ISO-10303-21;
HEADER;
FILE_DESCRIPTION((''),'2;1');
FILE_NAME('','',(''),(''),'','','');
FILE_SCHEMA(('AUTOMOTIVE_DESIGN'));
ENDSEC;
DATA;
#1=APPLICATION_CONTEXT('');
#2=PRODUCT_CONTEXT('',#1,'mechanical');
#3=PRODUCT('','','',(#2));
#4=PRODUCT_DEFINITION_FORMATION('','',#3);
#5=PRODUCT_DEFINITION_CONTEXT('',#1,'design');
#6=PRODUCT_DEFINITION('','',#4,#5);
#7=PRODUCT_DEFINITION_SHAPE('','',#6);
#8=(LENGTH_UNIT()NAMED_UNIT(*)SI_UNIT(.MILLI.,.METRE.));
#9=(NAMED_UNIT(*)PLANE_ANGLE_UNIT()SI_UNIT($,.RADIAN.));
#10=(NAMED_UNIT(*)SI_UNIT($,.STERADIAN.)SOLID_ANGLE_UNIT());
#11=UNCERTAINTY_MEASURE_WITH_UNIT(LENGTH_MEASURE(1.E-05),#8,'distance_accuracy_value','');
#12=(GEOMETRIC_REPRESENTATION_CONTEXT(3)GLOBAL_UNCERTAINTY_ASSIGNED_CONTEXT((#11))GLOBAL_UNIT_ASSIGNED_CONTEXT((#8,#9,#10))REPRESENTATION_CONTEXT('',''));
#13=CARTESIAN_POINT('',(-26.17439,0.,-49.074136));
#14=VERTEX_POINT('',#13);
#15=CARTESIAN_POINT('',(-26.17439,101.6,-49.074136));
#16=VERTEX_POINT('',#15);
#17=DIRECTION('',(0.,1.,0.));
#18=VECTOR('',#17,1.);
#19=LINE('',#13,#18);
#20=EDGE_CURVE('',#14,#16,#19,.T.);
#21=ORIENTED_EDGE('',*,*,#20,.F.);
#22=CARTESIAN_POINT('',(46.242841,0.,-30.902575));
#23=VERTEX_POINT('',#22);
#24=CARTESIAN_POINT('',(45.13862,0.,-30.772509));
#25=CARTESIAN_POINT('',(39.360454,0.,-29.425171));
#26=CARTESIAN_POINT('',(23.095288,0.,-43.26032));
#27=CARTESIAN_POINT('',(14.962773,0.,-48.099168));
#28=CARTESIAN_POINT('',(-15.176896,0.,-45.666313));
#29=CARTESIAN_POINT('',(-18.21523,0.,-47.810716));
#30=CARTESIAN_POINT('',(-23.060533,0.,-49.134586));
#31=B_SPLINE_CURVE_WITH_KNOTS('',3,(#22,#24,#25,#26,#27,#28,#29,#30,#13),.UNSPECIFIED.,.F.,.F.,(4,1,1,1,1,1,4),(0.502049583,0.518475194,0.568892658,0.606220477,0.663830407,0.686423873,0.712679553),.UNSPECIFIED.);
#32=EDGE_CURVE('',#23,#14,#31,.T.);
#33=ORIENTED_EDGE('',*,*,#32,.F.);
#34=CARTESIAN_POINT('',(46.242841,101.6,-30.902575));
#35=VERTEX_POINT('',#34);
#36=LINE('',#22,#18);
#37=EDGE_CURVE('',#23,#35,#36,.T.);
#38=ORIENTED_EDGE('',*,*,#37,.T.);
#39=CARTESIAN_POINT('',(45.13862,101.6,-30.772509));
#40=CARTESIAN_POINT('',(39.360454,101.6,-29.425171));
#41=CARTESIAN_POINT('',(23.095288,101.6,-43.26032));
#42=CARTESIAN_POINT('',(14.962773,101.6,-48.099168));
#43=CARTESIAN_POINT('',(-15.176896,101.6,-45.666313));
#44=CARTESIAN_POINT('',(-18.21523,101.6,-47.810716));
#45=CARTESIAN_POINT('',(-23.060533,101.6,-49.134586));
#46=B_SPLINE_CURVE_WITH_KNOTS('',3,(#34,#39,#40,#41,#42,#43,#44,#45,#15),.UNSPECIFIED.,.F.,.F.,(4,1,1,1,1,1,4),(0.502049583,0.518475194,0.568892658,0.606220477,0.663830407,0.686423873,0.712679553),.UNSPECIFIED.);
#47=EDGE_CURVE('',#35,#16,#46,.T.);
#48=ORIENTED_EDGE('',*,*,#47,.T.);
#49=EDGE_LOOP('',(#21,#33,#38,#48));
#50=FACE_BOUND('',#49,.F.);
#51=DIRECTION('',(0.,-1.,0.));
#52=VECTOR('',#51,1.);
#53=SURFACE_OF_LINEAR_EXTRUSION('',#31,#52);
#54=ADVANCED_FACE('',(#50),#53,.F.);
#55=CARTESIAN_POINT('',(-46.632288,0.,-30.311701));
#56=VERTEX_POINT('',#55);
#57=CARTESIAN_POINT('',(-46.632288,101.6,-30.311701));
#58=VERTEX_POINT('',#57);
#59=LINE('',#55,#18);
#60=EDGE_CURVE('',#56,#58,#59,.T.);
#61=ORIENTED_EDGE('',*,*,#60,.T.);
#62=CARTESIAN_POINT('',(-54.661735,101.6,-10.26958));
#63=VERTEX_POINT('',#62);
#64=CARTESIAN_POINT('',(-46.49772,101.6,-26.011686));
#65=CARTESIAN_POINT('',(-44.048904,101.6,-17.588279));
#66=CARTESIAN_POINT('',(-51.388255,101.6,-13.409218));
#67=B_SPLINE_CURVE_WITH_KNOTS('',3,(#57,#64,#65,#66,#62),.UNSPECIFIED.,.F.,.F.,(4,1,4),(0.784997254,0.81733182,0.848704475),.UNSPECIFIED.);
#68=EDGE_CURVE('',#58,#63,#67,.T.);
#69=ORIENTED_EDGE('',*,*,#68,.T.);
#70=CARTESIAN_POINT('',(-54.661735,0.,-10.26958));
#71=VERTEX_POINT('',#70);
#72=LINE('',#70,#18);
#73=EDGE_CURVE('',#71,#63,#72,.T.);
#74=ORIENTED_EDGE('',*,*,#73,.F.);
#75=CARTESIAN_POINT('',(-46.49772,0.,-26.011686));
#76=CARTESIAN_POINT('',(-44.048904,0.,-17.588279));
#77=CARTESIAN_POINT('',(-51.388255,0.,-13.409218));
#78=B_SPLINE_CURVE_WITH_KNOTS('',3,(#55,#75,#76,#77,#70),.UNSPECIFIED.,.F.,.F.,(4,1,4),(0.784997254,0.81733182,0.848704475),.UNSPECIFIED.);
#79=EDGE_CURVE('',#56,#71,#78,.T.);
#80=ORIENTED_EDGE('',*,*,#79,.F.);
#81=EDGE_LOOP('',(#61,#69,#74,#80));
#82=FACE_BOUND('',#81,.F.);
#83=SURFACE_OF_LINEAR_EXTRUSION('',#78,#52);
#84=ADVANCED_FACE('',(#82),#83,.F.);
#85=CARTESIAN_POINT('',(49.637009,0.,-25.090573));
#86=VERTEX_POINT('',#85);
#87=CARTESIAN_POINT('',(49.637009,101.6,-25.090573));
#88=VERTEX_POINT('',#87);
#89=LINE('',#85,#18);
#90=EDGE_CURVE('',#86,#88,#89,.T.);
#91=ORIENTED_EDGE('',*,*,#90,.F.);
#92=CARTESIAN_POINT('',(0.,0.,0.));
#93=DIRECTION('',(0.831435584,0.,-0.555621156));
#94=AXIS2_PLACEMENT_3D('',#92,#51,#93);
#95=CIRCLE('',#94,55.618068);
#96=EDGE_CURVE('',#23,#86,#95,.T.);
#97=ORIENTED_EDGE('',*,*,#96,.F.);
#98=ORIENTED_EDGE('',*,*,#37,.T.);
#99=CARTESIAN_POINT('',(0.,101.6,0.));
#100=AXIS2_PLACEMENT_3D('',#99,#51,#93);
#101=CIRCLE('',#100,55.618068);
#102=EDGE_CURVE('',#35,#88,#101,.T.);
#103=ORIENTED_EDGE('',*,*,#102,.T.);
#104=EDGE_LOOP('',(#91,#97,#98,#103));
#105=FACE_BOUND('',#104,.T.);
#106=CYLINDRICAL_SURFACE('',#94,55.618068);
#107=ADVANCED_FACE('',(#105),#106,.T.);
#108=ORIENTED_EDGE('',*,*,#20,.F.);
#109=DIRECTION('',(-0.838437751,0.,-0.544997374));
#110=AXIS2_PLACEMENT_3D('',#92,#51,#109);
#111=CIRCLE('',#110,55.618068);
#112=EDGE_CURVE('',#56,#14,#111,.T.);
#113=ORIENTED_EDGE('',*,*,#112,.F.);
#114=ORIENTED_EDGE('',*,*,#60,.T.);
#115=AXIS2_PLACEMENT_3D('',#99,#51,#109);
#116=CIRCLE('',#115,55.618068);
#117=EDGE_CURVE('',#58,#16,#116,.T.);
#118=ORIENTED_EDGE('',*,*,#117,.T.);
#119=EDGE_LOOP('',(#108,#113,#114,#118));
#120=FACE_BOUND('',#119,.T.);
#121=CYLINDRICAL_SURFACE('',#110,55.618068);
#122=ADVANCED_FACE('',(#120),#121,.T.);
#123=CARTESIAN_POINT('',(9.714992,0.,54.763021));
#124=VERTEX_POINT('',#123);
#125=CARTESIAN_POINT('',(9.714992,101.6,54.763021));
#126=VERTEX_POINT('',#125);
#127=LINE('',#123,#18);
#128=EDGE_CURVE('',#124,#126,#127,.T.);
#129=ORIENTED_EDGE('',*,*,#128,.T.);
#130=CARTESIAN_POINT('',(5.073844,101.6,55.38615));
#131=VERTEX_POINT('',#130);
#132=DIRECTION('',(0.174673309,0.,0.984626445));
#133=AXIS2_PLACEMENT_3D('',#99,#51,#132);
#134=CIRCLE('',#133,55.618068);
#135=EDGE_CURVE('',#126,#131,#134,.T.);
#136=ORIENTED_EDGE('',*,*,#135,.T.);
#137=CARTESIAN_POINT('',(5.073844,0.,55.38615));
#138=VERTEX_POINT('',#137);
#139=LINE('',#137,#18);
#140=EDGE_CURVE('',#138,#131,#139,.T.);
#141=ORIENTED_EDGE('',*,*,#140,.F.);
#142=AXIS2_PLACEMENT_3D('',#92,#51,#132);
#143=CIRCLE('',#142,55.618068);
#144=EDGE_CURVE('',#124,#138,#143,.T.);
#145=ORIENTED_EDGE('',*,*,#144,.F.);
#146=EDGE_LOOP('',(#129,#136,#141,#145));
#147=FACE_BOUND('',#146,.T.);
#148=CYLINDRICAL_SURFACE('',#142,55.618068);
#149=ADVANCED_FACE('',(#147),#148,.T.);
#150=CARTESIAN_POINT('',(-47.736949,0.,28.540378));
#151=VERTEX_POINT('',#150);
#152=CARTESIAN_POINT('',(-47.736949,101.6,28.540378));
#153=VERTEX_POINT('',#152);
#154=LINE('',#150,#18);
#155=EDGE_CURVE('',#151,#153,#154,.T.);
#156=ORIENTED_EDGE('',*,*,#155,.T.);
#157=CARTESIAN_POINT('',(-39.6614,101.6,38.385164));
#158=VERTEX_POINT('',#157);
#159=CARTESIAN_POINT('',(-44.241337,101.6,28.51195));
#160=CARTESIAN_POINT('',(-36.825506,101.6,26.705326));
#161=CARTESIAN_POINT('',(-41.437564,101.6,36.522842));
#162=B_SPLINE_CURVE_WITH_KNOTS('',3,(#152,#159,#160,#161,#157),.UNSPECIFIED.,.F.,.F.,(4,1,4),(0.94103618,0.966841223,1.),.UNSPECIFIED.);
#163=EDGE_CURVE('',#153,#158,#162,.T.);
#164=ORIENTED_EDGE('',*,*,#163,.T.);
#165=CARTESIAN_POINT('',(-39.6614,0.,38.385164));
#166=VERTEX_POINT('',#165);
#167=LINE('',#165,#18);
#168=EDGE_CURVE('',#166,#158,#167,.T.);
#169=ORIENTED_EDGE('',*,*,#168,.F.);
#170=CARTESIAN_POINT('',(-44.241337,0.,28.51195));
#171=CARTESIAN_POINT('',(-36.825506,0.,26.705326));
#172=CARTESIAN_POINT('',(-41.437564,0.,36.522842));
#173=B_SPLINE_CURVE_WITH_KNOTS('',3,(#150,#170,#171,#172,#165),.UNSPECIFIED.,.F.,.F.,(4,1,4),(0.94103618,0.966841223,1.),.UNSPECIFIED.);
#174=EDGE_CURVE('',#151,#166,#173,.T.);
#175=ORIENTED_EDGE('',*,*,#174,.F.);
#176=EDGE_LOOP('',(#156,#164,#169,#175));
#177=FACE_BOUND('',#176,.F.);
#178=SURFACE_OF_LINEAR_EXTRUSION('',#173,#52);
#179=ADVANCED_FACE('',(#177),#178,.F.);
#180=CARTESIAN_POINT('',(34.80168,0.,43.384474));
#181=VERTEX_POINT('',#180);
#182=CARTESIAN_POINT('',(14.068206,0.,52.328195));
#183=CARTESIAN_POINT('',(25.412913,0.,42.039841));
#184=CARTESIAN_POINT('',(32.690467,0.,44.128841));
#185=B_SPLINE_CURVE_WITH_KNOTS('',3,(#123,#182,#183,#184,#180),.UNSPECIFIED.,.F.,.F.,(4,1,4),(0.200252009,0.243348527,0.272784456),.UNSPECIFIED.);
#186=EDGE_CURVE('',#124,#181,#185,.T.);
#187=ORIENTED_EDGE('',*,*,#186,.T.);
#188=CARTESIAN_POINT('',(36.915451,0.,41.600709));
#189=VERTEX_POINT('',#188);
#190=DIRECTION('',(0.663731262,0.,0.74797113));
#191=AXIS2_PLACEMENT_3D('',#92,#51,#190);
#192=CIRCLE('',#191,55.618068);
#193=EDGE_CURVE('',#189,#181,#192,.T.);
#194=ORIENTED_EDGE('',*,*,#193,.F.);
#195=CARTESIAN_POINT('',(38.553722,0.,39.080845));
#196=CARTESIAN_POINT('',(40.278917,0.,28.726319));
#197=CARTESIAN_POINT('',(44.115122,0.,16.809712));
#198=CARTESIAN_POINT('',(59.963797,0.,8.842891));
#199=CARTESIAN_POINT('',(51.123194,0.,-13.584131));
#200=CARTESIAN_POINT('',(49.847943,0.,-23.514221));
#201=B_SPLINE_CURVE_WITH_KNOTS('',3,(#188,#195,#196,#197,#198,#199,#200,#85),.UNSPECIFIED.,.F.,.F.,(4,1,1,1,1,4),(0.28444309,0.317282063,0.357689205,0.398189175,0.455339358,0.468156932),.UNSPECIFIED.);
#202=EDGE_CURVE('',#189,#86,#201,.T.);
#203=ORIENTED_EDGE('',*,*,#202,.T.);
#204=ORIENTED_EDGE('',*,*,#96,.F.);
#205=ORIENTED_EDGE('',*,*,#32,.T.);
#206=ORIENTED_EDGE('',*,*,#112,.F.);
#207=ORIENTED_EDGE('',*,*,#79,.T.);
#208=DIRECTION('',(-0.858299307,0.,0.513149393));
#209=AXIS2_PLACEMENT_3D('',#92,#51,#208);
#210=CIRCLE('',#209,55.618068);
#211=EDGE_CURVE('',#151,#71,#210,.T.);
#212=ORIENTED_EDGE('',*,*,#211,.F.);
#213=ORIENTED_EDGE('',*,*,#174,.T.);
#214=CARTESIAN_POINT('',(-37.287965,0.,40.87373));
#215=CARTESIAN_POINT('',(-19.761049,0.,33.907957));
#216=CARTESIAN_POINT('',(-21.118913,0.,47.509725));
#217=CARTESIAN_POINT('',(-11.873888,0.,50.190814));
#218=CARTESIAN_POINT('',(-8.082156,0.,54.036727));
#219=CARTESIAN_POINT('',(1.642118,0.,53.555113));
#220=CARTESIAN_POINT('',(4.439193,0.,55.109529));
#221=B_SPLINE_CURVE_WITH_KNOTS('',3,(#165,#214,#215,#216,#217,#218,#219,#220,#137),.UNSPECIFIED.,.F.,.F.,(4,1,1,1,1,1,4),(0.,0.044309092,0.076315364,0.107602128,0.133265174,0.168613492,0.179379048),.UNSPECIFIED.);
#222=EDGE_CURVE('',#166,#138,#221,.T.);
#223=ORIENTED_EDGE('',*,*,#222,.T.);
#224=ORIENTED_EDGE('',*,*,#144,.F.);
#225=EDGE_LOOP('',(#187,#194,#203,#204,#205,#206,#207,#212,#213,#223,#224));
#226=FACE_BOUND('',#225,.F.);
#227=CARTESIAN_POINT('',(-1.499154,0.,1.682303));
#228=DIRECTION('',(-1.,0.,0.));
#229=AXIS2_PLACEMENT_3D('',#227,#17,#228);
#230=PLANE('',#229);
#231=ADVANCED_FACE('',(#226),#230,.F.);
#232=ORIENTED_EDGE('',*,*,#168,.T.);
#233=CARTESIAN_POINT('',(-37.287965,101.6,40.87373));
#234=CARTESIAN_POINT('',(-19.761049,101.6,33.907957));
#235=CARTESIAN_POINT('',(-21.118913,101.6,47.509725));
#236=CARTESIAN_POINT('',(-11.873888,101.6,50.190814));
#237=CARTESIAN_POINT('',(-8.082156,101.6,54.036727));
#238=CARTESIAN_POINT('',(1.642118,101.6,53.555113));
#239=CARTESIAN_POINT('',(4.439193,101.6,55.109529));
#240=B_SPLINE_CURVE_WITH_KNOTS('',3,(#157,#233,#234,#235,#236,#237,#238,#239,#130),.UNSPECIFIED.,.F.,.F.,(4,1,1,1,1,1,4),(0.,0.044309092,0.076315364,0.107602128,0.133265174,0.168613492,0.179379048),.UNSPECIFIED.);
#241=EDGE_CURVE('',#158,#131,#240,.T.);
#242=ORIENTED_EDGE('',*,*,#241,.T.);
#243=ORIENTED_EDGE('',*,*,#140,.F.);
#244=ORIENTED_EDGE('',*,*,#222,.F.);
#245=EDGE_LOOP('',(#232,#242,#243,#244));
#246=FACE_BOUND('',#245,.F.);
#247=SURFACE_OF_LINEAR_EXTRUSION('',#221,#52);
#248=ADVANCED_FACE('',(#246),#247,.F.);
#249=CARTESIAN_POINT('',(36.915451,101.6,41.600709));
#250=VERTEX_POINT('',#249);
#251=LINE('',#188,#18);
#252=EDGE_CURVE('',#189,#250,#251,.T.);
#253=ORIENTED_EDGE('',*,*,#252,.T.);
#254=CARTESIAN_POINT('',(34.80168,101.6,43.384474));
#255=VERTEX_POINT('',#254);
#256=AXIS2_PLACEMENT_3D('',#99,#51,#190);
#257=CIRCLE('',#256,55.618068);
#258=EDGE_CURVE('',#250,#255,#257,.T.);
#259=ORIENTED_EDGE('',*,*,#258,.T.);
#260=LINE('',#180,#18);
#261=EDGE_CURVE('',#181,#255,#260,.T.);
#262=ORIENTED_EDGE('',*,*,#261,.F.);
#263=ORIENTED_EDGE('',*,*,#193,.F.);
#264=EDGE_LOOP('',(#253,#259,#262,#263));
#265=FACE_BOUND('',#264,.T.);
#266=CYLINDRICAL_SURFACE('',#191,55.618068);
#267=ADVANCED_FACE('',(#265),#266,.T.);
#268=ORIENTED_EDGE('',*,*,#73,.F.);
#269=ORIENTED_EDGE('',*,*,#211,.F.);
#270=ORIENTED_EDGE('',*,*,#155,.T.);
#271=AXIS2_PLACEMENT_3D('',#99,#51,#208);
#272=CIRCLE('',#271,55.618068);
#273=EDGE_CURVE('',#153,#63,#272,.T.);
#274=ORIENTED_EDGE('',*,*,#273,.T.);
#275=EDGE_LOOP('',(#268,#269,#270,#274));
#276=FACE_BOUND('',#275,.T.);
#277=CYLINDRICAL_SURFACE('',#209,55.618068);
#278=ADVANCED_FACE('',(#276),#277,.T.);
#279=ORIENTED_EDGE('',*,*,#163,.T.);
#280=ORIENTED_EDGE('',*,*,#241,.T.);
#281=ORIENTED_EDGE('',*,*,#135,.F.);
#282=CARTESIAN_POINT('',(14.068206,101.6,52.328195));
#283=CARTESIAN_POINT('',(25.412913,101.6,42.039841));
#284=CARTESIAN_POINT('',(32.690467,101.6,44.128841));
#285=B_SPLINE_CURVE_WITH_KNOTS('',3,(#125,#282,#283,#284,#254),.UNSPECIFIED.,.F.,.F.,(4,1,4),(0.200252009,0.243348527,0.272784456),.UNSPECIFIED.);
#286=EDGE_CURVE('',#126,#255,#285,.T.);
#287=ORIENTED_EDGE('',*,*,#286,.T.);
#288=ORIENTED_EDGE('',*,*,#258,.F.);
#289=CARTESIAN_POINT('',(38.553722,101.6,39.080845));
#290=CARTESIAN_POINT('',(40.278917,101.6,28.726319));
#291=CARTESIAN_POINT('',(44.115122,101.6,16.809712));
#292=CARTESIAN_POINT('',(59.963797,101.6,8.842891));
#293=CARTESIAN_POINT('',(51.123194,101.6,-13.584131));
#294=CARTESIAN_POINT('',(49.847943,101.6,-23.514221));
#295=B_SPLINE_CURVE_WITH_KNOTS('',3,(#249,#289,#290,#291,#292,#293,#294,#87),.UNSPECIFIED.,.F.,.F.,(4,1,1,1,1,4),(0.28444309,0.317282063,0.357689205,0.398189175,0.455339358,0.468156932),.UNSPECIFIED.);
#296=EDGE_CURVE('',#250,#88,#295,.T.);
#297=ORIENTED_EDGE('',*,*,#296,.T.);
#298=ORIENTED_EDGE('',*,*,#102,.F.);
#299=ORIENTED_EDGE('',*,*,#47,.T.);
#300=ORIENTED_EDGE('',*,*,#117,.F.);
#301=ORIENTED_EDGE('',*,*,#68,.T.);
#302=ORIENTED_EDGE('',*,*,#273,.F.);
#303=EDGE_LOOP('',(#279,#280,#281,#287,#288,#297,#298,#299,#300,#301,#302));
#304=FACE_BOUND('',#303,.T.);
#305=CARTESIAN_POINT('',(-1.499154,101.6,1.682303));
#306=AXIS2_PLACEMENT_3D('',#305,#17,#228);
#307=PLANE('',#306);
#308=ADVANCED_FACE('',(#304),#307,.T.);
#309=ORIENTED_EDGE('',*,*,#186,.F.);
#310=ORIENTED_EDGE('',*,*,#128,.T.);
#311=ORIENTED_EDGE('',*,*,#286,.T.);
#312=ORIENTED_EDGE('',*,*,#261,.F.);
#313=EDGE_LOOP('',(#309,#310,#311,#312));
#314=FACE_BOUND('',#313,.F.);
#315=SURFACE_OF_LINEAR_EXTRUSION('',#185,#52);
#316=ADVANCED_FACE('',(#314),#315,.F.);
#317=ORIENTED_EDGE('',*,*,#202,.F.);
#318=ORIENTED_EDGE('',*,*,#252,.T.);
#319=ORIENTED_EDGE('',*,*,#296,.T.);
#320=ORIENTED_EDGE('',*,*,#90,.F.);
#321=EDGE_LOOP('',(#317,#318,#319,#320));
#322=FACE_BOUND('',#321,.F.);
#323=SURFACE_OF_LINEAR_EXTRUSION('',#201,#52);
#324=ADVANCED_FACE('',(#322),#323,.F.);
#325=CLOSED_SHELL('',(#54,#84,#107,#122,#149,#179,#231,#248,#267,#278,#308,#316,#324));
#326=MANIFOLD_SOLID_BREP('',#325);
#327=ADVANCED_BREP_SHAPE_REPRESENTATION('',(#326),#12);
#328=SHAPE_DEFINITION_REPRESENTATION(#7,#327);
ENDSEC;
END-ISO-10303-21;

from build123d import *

# Parameters (mm, degrees)
F2_DEPTH = 101.6


with BuildPart() as f2:
    # F1 (on face) → F2 (new body)
    with BuildSketch(Plane.XZ):
        with BuildLine():
            add(Edge.make_bspline(
                [(-39.6614000201, 38.3851639926), (-37.2879646035, 40.8737299942), (-19.7610492656, 33.9079571403), (-21.1189129698, 47.5097254063), (-11.8738875372, 50.1908135701), (-8.0821563957, 54.0367272991), (1.6421180865, 53.5551130619), (4.4391928376, 55.1095290556), (5.0738438972, 55.386150113)],
                knots=[0, 0, 0, 0, 0.044309092, 0.0763153637, 0.1076021277, 0.1332651742, 0.1686134923, 0.1793790483, 0.1793790483, 0.1793790483, 0.1793790483], degree=3))
            add(Edge.make_bspline(
                [(-47.7369494432, 28.5403779597), (-44.2413368856, 28.5119500907), (-36.8255058469, 26.7053258396), (-41.4375640588, 36.522841804), (-39.6614000201, 38.3851639926)],
                knots=[0.9410361799, 0.9410361799, 0.9410361799, 0.9410361799, 0.966841223, 1, 1, 1, 1], degree=3))
            ThreePointArc((-47.7369494432, 28.5403779597), (-54.7533180414, 9.7695281199), (-54.6617347679, -10.2695797575))
            add(Edge.make_bspline(
                [(-46.6322880463, -30.3117011697), (-46.4977201865, -26.0116859782), (-44.0489035256, -17.5882792642), (-51.3882554041, -13.4092183276), (-54.6617347679, -10.2695797575)],
                knots=[0.7849972544, 0.7849972544, 0.7849972544, 0.7849972544, 0.8173318196, 0.8487044752, 0.8487044752, 0.8487044752, 0.8487044752], degree=3))
            ThreePointArc((-46.6322880463, -30.3117011697), (-37.5926900781, -40.9897446799), (-26.1743904797, -49.0741357463))
            add(Edge.make_bspline(
                [(46.2428410755, -30.9025753862), (45.1386200607, -30.7725092744), (39.3604541497, -29.425171045), (23.09528829, -43.26032036), (14.9627726312, -48.0991679429), (-15.176895938, -45.6663125695), (-18.2152297231, -47.8107164794), (-23.0605334743, -49.1345861635), (-26.1743904797, -49.0741357463)],
                knots=[0.5020495828, 0.5020495828, 0.5020495828, 0.5020495828, 0.5184751941, 0.5688926581, 0.606220477, 0.6638304074, 0.6864238731, 0.7126795525, 0.7126795525, 0.7126795525, 0.7126795525], degree=3))
            ThreePointArc((46.2428410755, -30.9025753862), (48.0279215865, -28.0479636392), (49.6370089326, -25.0905731393))
            add(Edge.make_bspline(
                [(36.9154506452, 41.6007093677), (38.5537217812, 39.0808451739), (40.2789165216, 28.726318552), (44.1151222229, 16.8097115057), (59.9637965771, 8.8428905877), (51.1231940336, -13.5841309809), (49.8479433202, -23.5142212408), (49.6370089326, -25.0905731393)],
                knots=[0.2844430899, 0.2844430899, 0.2844430899, 0.2844430899, 0.3172820626, 0.3576892047, 0.3981891747, 0.4553393578, 0.4681569316, 0.4681569316, 0.4681569316, 0.4681569316], degree=3))
            ThreePointArc((36.9154506452, 41.6007093677), (35.8696549233, 42.5057334005), (34.8016795231, 43.3844743958))
            add(Edge.make_bspline(
                [(9.7149920068, 54.7630207945), (14.0682056723, 52.3281945962), (25.4129129592, 42.0398406397), (32.6904674519, 44.1288408455), (34.8016795231, 43.3844743958)],
                knots=[0.2002520086, 0.2002520086, 0.2002520086, 0.2002520086, 0.2433485269, 0.272784456, 0.272784456, 0.272784456, 0.272784456], degree=3))
            ThreePointArc((9.7149920068, 54.7630207945), (7.4009789478, 55.1234526027), (5.0738438972, 55.386150113))
        make_face()
    extrude(amount=-F2_DEPTH)


solid = f2.part
